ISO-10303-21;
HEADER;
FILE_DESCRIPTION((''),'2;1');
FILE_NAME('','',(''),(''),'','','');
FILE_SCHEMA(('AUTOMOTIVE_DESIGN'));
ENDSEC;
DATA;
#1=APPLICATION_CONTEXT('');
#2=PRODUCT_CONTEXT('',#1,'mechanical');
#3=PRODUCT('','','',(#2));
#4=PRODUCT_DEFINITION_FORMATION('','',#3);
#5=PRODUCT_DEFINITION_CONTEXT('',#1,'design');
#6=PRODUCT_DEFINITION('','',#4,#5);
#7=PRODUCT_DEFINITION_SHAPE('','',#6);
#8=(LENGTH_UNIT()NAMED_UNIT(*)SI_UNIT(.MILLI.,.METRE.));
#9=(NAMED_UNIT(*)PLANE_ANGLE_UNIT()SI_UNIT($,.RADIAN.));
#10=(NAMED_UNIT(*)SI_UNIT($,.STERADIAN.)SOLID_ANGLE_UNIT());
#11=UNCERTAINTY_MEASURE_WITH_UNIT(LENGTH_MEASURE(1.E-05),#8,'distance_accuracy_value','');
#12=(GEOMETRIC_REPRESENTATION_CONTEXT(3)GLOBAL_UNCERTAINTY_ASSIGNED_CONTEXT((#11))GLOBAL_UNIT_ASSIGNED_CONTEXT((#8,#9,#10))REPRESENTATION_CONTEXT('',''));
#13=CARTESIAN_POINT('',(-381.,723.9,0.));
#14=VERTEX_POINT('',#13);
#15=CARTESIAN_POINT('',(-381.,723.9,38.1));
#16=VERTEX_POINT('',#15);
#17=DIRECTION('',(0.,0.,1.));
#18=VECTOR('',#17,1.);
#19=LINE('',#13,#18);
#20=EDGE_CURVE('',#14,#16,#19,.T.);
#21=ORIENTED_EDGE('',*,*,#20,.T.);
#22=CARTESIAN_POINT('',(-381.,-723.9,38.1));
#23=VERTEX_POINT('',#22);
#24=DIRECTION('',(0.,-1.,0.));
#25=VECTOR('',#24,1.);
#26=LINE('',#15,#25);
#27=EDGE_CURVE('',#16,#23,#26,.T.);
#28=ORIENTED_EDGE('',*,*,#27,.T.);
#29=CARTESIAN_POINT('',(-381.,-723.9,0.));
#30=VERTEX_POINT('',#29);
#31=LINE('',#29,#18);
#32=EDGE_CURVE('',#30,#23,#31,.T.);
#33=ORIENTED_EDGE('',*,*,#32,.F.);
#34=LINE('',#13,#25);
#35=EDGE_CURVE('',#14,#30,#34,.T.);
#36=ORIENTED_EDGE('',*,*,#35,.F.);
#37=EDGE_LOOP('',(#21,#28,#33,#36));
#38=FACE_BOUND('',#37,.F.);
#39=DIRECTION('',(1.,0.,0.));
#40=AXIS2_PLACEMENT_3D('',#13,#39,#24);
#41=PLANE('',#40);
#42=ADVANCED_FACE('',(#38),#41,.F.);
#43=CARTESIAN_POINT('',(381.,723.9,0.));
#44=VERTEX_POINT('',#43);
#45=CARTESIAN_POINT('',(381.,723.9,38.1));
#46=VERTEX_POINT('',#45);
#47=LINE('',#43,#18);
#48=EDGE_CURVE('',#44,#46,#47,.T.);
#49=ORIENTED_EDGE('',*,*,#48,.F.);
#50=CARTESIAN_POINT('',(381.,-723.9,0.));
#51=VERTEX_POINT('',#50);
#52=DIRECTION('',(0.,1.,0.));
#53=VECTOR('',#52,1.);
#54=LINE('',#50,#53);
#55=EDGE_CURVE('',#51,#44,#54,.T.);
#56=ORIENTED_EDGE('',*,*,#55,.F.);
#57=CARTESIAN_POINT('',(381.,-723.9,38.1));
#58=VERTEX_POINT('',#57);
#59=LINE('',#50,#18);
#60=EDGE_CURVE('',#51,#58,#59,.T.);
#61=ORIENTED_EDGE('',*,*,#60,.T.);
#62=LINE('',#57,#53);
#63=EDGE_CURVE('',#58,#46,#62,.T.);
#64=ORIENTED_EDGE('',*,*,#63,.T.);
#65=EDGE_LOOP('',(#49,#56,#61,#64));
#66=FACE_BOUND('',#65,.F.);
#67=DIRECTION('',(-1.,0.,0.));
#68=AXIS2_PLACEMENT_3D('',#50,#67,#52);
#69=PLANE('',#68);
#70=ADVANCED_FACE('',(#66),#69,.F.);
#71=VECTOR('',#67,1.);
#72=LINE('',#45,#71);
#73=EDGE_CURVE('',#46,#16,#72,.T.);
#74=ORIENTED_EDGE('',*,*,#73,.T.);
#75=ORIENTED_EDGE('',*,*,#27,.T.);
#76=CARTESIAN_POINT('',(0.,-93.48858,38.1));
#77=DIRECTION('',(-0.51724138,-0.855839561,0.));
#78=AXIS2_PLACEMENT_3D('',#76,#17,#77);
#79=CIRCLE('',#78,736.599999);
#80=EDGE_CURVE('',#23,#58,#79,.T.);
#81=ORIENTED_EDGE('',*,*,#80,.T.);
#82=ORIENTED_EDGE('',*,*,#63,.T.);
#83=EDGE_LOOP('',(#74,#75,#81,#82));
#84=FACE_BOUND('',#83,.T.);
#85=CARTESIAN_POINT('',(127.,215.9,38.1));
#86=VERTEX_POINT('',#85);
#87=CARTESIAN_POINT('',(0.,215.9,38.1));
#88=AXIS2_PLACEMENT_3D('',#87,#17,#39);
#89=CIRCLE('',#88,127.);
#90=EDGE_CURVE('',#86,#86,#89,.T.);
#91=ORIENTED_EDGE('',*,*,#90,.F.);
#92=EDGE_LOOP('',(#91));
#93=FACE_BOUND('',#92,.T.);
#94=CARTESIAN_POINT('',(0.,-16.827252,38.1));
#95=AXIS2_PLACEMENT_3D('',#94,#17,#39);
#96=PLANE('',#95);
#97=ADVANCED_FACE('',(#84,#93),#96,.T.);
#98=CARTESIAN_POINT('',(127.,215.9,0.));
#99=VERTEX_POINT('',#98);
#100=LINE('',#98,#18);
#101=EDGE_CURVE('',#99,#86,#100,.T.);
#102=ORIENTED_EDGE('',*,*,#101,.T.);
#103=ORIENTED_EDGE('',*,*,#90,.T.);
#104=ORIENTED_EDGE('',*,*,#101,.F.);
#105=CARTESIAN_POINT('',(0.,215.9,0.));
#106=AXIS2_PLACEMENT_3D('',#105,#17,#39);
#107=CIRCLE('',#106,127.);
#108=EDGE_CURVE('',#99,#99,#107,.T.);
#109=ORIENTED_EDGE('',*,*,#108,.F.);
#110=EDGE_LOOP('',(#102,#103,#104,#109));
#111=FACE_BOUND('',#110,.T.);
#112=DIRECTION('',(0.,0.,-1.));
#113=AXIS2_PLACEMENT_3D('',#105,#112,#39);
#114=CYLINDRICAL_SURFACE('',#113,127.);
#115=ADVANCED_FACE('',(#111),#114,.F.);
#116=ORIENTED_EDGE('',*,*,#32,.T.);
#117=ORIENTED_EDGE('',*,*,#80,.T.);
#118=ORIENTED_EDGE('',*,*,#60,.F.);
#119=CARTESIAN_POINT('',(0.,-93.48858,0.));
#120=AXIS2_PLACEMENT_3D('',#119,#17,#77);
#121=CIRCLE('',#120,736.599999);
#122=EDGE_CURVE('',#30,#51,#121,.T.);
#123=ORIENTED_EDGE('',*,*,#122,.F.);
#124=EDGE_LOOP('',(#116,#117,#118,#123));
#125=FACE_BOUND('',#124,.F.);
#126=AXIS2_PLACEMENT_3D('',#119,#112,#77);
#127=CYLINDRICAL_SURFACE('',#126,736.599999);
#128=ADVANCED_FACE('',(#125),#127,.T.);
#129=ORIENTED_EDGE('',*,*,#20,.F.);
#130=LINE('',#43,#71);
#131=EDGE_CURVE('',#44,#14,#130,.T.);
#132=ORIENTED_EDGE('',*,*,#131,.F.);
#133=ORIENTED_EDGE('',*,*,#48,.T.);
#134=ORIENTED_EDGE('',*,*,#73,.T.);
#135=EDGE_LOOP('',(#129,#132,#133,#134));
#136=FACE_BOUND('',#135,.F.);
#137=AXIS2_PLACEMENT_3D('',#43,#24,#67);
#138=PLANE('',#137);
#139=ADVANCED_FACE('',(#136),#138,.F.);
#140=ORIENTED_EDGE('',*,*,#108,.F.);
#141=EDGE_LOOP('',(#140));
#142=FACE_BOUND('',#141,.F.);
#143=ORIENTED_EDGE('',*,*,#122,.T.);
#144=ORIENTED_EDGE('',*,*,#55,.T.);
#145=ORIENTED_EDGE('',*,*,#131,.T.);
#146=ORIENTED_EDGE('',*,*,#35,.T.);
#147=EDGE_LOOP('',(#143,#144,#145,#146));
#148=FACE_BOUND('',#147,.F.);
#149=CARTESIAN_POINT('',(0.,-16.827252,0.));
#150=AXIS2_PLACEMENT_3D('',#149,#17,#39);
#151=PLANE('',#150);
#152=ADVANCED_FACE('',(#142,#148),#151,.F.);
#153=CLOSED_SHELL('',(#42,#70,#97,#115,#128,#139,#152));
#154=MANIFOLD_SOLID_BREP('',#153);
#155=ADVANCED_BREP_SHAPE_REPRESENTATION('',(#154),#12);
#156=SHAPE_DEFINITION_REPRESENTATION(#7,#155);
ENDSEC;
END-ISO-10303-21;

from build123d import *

# Parameters (mm, degrees)
F0_R     = 127
F1_DEPTH = 38.1


with BuildPart() as f1:
    # F0 (on Top) → F1 (new body)
    with BuildSketch(Plane.XY):
        with BuildLine():
            Line((381, -723.9), (381, 723.9))
            Line((381, 723.9), (-381, 723.9))
            Line((-381, 723.9), (-381, -723.9))
            ThreePointArc((-381, -723.9), (0, -830.088579), (381, -723.9))
        make_face()
        with Locations((0, 215.9)):
            Circle(F0_R, mode=Mode.SUBTRACT)
    extrude(amount=F1_DEPTH)


solid = f1.part
